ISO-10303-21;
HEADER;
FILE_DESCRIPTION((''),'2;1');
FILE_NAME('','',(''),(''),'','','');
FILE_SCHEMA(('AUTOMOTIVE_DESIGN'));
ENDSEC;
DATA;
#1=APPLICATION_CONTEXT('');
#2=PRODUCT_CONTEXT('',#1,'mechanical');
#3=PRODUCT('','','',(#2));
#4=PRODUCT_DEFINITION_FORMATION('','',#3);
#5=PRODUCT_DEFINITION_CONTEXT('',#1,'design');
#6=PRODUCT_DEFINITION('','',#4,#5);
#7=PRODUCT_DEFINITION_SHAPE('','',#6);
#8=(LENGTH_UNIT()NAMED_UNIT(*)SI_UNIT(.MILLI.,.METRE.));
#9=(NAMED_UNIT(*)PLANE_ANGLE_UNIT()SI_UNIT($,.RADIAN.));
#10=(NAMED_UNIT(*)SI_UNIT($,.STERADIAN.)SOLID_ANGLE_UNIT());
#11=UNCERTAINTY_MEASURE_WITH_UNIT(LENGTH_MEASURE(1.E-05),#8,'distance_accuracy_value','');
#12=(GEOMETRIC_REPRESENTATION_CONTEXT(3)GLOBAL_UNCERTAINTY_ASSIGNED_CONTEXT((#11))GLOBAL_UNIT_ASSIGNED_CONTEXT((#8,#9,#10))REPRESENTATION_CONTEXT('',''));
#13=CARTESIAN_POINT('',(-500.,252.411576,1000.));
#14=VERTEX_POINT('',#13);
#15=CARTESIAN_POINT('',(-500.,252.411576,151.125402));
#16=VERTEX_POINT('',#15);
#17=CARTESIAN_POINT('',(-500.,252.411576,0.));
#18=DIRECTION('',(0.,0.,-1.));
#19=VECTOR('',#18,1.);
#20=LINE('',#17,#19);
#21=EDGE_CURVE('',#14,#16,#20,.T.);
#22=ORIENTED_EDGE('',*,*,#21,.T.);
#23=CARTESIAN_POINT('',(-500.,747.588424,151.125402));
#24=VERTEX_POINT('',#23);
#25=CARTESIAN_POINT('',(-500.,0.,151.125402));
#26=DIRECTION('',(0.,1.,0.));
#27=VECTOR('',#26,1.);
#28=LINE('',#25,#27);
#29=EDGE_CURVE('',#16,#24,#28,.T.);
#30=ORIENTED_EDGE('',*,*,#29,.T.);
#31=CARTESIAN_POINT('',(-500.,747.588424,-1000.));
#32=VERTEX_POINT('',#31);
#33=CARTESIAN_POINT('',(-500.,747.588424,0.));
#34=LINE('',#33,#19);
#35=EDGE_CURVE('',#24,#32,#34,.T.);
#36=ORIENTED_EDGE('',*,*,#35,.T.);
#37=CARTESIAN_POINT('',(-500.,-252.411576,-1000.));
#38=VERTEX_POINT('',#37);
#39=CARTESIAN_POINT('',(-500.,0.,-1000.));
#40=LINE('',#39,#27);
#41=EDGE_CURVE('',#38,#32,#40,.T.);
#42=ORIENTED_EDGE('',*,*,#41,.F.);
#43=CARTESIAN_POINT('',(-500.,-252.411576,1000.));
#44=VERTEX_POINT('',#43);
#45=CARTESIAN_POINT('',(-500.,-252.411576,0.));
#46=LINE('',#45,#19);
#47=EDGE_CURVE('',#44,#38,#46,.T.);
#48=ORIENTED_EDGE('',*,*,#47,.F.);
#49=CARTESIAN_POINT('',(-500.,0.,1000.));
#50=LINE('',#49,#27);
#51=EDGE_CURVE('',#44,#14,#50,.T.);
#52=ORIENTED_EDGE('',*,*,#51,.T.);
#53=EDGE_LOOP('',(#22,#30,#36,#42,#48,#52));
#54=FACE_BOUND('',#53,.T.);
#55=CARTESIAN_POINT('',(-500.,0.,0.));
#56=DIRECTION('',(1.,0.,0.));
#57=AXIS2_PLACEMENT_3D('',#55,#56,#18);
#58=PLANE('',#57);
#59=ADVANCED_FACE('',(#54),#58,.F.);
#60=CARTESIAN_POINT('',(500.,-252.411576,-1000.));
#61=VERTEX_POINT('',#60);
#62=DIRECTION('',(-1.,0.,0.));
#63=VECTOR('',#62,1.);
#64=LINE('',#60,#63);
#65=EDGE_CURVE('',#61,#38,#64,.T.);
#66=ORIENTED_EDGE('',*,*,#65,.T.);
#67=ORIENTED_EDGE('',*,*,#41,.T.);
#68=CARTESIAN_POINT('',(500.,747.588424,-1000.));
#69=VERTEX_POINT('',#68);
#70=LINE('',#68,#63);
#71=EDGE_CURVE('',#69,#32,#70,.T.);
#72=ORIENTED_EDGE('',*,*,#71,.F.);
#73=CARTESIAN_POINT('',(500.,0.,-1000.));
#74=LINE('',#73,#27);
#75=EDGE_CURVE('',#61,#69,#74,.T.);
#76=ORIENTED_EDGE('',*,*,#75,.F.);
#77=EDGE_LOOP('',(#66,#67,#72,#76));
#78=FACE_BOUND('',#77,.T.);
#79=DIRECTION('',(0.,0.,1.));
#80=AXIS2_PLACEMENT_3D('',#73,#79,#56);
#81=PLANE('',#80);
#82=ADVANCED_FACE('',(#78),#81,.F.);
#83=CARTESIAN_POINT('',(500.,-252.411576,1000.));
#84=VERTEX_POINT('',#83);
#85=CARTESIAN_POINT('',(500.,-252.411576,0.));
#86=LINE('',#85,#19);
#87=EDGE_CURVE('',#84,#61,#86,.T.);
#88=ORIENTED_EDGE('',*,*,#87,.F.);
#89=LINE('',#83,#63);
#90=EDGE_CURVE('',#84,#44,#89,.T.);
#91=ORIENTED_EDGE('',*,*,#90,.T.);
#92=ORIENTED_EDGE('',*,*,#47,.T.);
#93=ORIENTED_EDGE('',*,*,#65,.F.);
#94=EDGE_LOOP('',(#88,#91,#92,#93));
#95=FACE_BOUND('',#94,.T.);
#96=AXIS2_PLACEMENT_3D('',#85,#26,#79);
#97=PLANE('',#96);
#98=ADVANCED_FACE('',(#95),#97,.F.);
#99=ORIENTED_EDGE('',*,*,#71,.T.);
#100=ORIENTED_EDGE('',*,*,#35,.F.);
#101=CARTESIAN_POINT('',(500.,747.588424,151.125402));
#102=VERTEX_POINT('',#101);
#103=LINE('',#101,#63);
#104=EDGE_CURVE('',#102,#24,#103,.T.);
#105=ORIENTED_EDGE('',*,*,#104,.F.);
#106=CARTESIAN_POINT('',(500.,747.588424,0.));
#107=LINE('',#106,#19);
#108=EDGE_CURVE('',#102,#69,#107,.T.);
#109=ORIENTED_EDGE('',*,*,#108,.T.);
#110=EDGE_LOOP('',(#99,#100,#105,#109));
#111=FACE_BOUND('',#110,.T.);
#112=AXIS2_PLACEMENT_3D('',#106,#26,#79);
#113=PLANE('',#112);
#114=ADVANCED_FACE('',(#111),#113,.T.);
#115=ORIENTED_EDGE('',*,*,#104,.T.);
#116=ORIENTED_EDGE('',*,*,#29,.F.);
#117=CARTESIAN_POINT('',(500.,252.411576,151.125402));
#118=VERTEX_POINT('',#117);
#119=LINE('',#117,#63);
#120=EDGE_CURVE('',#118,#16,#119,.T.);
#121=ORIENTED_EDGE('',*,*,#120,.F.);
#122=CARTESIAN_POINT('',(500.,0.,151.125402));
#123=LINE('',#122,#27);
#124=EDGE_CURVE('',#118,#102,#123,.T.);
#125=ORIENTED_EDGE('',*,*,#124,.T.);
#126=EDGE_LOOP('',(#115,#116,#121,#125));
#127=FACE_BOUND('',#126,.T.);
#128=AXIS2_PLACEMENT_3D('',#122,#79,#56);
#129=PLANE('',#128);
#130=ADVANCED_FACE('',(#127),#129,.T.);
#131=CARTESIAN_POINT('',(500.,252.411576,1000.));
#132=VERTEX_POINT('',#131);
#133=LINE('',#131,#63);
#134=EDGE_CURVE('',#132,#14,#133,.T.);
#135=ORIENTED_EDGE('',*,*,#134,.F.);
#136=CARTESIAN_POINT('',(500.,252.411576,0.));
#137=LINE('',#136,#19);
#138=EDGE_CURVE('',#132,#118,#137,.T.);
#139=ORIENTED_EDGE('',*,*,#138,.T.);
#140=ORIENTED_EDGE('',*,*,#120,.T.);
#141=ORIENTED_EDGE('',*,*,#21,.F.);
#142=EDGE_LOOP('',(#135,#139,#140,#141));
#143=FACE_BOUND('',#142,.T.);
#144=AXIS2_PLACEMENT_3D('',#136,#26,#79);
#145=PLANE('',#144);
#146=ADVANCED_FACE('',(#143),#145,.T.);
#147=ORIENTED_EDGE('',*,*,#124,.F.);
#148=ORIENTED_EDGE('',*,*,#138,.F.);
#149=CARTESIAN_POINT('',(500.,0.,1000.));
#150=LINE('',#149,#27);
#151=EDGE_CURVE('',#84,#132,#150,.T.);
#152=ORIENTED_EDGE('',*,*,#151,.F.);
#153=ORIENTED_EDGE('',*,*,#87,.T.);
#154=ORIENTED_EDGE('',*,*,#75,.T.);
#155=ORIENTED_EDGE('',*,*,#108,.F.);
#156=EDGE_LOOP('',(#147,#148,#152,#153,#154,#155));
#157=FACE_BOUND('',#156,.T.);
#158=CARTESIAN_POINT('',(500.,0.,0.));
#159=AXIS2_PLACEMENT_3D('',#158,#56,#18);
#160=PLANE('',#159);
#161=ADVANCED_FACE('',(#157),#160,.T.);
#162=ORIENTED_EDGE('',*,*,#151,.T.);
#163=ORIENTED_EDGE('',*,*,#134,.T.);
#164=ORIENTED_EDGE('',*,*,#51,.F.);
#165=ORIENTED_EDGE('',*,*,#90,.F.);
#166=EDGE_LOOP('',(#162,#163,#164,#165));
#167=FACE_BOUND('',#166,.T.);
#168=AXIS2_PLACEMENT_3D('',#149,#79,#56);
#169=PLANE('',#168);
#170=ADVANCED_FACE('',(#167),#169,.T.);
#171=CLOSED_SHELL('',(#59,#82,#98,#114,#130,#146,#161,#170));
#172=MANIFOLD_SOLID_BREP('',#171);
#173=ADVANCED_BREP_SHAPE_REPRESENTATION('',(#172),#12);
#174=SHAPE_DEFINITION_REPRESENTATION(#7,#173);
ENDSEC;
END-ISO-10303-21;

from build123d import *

# Parameters (mm, degrees)
SKETCH1_W           = 2000
SKETCH1_H           = 504.823151126
SKETCH1_W_2         = 1151.125401929
SKETCH1_H_2         = 495.176848874
BOSS_EXTRUDE1_DEPTH = 500


with BuildPart() as part:
    # Sketch1 → Boss-Extrude1 (new, symmetric)
    with BuildSketch(Plane(origin=(0, 0, 0), x_dir=(0, 0, -1), z_dir=(1, 0, 0))):
        Rectangle(SKETCH1_W, SKETCH1_H)
        with Locations((424.437299036, 500)):
            Rectangle(SKETCH1_W_2, SKETCH1_H_2)
    extrude(amount=BOSS_EXTRUDE1_DEPTH, both=True)


solid = part.part
